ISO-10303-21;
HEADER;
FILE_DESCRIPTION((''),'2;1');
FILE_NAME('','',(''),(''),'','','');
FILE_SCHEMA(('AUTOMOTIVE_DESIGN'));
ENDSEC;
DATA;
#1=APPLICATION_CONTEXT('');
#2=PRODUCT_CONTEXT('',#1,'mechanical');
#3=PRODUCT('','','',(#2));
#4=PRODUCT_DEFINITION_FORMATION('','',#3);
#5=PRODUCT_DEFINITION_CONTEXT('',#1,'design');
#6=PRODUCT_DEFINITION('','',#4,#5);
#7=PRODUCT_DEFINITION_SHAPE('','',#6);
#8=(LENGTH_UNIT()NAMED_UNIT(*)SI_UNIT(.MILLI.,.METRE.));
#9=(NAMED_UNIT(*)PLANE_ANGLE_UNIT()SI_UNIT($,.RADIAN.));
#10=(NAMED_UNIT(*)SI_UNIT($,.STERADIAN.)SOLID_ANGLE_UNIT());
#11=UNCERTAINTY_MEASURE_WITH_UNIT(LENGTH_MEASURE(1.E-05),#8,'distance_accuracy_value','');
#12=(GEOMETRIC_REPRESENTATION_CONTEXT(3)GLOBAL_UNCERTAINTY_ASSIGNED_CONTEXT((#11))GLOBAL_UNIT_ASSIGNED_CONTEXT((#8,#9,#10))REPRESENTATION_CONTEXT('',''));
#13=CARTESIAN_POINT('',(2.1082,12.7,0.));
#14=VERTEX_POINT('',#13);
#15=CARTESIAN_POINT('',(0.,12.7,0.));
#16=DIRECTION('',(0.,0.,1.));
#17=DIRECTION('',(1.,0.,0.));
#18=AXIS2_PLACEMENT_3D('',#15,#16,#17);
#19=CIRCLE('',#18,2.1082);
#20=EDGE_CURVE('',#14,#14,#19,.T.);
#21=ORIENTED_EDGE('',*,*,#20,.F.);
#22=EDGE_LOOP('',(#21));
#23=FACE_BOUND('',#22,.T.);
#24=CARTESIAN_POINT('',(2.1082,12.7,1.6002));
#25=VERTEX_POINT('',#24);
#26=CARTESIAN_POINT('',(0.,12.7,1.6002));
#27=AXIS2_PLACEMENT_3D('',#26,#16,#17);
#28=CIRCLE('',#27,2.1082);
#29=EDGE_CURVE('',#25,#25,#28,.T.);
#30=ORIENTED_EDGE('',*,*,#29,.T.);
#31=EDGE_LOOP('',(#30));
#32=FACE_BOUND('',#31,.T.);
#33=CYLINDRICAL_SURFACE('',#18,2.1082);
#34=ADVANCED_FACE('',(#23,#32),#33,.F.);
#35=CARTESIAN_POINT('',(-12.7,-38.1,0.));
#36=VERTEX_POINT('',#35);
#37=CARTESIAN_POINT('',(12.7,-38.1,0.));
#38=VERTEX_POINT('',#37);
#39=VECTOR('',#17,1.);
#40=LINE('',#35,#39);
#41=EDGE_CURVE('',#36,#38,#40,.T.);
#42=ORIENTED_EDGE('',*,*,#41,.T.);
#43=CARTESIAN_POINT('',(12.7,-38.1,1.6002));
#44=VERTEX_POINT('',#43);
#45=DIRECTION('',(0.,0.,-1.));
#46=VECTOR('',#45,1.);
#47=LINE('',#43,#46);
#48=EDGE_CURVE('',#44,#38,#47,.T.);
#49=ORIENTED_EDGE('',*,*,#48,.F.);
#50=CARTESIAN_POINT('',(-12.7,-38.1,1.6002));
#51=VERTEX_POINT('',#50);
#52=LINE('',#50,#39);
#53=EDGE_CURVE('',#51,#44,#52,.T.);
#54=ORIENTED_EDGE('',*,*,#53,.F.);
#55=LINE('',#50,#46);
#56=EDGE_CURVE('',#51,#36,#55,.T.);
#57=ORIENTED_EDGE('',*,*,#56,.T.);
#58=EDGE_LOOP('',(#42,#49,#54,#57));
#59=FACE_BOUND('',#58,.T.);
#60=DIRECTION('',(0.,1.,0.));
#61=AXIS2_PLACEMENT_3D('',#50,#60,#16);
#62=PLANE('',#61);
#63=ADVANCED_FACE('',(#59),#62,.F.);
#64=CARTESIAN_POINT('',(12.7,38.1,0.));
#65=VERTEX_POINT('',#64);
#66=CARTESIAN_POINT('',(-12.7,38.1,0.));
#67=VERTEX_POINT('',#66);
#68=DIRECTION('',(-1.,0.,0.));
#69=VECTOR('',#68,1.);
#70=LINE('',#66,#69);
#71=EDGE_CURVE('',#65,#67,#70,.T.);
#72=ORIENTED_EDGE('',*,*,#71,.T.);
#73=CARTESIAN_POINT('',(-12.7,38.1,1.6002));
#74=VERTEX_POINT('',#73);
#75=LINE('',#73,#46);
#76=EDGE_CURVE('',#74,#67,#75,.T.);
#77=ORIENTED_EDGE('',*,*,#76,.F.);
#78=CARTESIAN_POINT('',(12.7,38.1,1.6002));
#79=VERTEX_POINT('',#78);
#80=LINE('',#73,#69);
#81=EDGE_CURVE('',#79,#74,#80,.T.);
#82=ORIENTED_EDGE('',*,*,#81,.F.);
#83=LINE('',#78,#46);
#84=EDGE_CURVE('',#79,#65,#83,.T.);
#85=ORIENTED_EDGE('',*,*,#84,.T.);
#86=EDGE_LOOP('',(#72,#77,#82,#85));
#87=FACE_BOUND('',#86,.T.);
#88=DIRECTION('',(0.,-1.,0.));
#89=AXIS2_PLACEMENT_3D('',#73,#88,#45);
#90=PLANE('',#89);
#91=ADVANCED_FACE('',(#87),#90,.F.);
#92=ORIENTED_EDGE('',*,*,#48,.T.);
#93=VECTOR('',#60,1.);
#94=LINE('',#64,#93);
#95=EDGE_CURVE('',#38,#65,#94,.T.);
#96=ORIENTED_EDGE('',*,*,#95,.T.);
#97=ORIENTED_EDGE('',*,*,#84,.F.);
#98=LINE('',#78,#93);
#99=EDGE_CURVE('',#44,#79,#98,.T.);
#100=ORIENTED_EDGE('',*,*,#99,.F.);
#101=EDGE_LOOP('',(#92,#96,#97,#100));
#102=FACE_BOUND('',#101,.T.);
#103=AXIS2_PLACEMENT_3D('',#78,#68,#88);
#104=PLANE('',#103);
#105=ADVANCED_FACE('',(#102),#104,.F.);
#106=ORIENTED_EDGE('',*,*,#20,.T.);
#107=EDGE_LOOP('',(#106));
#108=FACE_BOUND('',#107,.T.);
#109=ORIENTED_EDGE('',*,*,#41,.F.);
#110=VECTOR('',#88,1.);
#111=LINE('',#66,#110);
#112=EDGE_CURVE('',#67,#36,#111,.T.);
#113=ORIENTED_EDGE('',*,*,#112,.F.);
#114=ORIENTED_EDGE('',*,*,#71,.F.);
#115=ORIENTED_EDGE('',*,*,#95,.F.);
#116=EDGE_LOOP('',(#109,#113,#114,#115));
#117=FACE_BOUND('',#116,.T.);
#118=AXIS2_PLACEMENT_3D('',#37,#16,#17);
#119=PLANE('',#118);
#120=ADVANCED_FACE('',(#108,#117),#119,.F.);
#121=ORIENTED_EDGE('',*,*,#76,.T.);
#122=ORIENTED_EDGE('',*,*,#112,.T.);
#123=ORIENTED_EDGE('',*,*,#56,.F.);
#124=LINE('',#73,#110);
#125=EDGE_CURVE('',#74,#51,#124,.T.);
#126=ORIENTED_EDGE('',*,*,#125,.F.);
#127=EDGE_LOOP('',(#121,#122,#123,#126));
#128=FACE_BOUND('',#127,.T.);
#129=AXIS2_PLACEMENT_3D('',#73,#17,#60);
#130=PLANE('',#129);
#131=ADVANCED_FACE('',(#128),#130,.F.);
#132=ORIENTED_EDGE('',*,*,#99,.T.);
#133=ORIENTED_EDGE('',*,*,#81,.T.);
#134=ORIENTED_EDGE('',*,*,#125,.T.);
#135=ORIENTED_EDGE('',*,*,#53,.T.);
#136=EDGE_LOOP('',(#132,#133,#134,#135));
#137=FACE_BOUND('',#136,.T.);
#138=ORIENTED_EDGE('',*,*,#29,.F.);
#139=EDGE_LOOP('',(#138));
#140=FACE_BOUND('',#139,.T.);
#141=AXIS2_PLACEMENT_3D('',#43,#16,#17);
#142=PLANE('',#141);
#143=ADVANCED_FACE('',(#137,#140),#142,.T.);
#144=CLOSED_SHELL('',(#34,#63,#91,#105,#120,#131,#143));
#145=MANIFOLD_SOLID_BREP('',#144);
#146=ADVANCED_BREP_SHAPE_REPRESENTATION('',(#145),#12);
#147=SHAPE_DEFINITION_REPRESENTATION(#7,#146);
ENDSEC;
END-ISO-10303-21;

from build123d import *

# Parameters (mm, degrees)
SKETCH1_W           = 25.4
SKETCH1_H           = 76.2
BOSS_EXTRUDE1_DEPTH = 1.6002
SKETCH2_R           = 2.1082
CUT_EXTRUDE1_DEPTH  = 1.6002


with BuildPart() as part:
    # Sketch1 → Boss-Extrude1 (new body)
    with BuildSketch(Plane.XY):
        Rectangle(SKETCH1_W, SKETCH1_H)
    extrude(amount=BOSS_EXTRUDE1_DEPTH)

    # Sketch2 → Cut-Extrude1 (cut)
    with BuildSketch(Plane.XY.offset(1.6002)):
        with Locations((0, 12.7)):
            Circle(SKETCH2_R)
    extrude(amount=-CUT_EXTRUDE1_DEPTH, mode=Mode.SUBTRACT)


solid = part.part
